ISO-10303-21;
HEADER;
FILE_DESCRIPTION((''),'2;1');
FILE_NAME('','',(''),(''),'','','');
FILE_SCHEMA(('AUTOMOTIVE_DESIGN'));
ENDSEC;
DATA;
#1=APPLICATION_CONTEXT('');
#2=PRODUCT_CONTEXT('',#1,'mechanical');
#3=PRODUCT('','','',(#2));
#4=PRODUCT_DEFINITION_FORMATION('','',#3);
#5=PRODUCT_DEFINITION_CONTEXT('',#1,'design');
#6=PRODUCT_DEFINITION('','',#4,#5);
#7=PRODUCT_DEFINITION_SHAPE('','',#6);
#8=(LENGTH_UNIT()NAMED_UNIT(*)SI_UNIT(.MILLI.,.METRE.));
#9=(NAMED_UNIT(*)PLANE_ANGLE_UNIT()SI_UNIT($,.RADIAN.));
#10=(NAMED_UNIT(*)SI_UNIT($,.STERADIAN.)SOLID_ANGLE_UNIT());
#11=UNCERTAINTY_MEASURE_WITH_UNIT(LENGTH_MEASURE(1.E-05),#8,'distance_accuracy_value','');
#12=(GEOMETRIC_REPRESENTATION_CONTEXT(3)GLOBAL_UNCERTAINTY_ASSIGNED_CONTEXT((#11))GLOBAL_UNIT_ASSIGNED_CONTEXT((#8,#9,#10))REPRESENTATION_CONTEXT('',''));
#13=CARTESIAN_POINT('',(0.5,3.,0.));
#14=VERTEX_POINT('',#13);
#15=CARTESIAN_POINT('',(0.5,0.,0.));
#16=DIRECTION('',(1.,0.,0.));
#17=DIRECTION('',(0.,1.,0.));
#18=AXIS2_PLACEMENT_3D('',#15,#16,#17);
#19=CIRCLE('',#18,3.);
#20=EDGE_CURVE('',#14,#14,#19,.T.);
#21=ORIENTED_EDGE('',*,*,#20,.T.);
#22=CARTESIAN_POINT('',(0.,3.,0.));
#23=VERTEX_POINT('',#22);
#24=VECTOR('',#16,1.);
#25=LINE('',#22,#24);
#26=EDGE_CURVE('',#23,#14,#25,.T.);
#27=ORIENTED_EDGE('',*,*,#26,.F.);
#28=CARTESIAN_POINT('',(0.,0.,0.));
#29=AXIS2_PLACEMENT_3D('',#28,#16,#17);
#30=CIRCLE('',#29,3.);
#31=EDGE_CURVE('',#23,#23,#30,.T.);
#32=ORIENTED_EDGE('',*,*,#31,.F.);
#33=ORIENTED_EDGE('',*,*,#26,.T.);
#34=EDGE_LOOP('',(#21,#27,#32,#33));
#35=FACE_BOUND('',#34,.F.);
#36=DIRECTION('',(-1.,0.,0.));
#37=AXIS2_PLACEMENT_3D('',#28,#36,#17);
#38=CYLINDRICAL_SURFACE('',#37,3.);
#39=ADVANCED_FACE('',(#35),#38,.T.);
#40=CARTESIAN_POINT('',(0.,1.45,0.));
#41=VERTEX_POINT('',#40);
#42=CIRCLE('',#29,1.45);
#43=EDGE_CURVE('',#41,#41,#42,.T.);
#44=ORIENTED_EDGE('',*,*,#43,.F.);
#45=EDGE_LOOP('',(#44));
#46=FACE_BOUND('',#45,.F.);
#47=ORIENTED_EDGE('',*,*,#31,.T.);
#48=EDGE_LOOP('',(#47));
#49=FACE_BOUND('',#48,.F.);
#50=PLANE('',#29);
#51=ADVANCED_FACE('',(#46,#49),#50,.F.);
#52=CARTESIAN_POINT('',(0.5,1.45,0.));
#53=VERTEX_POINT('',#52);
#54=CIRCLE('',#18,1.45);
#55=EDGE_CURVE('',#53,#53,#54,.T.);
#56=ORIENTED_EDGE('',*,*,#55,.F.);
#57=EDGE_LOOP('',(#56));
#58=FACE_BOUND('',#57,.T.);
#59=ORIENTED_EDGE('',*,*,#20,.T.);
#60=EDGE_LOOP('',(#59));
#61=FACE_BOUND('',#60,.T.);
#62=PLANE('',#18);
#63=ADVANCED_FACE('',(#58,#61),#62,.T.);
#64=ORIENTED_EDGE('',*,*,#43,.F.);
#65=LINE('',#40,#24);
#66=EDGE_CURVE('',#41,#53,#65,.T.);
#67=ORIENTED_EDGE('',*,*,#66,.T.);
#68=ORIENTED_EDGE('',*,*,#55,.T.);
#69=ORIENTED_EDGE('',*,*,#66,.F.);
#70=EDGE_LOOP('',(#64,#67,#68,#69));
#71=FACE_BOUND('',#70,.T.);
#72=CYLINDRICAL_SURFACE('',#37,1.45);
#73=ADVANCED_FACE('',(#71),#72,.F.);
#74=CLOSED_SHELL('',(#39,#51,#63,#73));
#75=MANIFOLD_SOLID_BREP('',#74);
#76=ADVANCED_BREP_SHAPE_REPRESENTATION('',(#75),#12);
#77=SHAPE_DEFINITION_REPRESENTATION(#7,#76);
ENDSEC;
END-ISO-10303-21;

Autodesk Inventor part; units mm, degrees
ref_plane "YZ Plane" through (0, 0, 0) normal (1, 0, 0) x (0, 1, 0)
ref_plane "XZ Plane" through (0, 0, 0) normal (0, 1, 0) x (-1, 0, 0)
sketch "Boceto" plane through (0, 0, 0) normal (1, 0, 0) x (0, 1, 0)
  circle A0 centre (0, 0) radius 3
  circle A1 centre (0, 0) radius 1.45
  dimension "d0" = 2.9
  dimension "d1" = 6
extrude "Cuerpo" add sketch "Boceto" along normal blind 0.5
ref_plane "Work Plane1" through (0, 0, 0) normal (0, 0, 1) x (1, 0, 0)
equation "\"d0\" = SD1"
equation "\"d1\" = SD2"
equation "\"d2\" = SD"
equation "\"SD1\" = 2.9"
equation "\"SD2\" = 6"
equation "\"SD\" = 0.5"
equation "\"NND\" = 2.5"
properties part number "ISO 7091 - ST 2.5 - 100 HV" material "Acero"
